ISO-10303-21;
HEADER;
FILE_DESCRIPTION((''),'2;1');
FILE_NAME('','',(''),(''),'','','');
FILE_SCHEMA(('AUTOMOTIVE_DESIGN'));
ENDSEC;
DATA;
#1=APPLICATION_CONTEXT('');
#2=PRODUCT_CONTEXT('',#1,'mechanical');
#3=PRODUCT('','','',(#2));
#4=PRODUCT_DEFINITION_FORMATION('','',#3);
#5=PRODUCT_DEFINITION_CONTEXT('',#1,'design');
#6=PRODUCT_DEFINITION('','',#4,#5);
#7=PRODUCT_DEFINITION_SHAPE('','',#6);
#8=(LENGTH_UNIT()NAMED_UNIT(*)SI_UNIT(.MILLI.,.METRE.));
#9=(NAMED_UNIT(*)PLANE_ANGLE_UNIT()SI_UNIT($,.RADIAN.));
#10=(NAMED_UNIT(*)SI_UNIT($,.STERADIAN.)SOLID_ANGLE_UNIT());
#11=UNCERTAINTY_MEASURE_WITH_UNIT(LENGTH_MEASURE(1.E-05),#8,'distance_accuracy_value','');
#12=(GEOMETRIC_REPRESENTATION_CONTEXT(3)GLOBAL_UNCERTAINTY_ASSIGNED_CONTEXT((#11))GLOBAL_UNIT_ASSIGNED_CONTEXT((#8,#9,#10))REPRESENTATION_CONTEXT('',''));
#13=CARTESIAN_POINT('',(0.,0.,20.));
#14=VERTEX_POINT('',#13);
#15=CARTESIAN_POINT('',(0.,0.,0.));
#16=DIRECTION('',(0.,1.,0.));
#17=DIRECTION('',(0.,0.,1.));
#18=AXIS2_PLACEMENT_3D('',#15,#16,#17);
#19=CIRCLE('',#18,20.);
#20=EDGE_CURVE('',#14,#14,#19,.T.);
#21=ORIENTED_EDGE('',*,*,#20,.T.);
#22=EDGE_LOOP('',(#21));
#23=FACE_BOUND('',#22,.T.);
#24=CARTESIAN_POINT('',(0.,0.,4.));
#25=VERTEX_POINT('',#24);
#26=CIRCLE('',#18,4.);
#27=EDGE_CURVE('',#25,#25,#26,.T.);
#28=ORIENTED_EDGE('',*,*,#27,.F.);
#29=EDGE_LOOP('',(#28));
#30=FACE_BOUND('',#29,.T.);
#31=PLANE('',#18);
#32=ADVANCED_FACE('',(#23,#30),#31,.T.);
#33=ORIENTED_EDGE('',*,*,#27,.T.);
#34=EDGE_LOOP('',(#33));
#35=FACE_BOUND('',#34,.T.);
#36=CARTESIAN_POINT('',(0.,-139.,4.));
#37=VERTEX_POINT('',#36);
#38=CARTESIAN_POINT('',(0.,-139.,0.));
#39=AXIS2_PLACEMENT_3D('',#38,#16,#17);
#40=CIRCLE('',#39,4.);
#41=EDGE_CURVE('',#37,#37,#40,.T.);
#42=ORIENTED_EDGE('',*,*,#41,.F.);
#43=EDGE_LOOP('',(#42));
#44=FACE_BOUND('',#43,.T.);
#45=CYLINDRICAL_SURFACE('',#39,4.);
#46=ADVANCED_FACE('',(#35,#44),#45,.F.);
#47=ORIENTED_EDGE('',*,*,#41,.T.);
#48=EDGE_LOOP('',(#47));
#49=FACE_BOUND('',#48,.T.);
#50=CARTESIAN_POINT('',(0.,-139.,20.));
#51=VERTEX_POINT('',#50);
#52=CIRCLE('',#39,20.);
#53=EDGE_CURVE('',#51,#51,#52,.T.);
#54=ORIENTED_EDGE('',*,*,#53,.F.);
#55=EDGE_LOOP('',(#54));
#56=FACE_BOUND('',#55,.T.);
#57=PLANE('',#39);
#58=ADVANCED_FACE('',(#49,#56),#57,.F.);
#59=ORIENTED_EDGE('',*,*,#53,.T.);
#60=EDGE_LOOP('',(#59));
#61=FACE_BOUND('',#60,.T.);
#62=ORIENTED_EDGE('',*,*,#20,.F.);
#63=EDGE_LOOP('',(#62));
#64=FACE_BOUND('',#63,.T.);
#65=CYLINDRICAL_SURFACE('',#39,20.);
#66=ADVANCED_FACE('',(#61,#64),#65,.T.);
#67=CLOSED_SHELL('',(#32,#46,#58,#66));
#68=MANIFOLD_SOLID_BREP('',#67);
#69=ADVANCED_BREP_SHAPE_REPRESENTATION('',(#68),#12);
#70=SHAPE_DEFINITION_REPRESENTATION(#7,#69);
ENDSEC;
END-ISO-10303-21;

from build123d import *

# Parameters (mm, degrees)
ESBO_O1_R                = 20
ESBO_O1_R_2              = 4
RESSALTO_EXTRUS_O1_DEPTH = 139


with BuildPart() as part:
    # Esboço1 → Ressalto-extrusão1 (new body)
    with BuildSketch(Plane(origin=(0, 0, 0), x_dir=(1, 0, 0), z_dir=(0, 1, 0))):
        with Locations(Location((0, 0, 0), (0, 0, 270))):
            Circle(ESBO_O1_R)
        with Locations(Location((0, 0, 0), (0, 0, 270))):
            Circle(ESBO_O1_R_2, mode=Mode.SUBTRACT)
    extrude(amount=-RESSALTO_EXTRUS_O1_DEPTH)


solid = part.part
